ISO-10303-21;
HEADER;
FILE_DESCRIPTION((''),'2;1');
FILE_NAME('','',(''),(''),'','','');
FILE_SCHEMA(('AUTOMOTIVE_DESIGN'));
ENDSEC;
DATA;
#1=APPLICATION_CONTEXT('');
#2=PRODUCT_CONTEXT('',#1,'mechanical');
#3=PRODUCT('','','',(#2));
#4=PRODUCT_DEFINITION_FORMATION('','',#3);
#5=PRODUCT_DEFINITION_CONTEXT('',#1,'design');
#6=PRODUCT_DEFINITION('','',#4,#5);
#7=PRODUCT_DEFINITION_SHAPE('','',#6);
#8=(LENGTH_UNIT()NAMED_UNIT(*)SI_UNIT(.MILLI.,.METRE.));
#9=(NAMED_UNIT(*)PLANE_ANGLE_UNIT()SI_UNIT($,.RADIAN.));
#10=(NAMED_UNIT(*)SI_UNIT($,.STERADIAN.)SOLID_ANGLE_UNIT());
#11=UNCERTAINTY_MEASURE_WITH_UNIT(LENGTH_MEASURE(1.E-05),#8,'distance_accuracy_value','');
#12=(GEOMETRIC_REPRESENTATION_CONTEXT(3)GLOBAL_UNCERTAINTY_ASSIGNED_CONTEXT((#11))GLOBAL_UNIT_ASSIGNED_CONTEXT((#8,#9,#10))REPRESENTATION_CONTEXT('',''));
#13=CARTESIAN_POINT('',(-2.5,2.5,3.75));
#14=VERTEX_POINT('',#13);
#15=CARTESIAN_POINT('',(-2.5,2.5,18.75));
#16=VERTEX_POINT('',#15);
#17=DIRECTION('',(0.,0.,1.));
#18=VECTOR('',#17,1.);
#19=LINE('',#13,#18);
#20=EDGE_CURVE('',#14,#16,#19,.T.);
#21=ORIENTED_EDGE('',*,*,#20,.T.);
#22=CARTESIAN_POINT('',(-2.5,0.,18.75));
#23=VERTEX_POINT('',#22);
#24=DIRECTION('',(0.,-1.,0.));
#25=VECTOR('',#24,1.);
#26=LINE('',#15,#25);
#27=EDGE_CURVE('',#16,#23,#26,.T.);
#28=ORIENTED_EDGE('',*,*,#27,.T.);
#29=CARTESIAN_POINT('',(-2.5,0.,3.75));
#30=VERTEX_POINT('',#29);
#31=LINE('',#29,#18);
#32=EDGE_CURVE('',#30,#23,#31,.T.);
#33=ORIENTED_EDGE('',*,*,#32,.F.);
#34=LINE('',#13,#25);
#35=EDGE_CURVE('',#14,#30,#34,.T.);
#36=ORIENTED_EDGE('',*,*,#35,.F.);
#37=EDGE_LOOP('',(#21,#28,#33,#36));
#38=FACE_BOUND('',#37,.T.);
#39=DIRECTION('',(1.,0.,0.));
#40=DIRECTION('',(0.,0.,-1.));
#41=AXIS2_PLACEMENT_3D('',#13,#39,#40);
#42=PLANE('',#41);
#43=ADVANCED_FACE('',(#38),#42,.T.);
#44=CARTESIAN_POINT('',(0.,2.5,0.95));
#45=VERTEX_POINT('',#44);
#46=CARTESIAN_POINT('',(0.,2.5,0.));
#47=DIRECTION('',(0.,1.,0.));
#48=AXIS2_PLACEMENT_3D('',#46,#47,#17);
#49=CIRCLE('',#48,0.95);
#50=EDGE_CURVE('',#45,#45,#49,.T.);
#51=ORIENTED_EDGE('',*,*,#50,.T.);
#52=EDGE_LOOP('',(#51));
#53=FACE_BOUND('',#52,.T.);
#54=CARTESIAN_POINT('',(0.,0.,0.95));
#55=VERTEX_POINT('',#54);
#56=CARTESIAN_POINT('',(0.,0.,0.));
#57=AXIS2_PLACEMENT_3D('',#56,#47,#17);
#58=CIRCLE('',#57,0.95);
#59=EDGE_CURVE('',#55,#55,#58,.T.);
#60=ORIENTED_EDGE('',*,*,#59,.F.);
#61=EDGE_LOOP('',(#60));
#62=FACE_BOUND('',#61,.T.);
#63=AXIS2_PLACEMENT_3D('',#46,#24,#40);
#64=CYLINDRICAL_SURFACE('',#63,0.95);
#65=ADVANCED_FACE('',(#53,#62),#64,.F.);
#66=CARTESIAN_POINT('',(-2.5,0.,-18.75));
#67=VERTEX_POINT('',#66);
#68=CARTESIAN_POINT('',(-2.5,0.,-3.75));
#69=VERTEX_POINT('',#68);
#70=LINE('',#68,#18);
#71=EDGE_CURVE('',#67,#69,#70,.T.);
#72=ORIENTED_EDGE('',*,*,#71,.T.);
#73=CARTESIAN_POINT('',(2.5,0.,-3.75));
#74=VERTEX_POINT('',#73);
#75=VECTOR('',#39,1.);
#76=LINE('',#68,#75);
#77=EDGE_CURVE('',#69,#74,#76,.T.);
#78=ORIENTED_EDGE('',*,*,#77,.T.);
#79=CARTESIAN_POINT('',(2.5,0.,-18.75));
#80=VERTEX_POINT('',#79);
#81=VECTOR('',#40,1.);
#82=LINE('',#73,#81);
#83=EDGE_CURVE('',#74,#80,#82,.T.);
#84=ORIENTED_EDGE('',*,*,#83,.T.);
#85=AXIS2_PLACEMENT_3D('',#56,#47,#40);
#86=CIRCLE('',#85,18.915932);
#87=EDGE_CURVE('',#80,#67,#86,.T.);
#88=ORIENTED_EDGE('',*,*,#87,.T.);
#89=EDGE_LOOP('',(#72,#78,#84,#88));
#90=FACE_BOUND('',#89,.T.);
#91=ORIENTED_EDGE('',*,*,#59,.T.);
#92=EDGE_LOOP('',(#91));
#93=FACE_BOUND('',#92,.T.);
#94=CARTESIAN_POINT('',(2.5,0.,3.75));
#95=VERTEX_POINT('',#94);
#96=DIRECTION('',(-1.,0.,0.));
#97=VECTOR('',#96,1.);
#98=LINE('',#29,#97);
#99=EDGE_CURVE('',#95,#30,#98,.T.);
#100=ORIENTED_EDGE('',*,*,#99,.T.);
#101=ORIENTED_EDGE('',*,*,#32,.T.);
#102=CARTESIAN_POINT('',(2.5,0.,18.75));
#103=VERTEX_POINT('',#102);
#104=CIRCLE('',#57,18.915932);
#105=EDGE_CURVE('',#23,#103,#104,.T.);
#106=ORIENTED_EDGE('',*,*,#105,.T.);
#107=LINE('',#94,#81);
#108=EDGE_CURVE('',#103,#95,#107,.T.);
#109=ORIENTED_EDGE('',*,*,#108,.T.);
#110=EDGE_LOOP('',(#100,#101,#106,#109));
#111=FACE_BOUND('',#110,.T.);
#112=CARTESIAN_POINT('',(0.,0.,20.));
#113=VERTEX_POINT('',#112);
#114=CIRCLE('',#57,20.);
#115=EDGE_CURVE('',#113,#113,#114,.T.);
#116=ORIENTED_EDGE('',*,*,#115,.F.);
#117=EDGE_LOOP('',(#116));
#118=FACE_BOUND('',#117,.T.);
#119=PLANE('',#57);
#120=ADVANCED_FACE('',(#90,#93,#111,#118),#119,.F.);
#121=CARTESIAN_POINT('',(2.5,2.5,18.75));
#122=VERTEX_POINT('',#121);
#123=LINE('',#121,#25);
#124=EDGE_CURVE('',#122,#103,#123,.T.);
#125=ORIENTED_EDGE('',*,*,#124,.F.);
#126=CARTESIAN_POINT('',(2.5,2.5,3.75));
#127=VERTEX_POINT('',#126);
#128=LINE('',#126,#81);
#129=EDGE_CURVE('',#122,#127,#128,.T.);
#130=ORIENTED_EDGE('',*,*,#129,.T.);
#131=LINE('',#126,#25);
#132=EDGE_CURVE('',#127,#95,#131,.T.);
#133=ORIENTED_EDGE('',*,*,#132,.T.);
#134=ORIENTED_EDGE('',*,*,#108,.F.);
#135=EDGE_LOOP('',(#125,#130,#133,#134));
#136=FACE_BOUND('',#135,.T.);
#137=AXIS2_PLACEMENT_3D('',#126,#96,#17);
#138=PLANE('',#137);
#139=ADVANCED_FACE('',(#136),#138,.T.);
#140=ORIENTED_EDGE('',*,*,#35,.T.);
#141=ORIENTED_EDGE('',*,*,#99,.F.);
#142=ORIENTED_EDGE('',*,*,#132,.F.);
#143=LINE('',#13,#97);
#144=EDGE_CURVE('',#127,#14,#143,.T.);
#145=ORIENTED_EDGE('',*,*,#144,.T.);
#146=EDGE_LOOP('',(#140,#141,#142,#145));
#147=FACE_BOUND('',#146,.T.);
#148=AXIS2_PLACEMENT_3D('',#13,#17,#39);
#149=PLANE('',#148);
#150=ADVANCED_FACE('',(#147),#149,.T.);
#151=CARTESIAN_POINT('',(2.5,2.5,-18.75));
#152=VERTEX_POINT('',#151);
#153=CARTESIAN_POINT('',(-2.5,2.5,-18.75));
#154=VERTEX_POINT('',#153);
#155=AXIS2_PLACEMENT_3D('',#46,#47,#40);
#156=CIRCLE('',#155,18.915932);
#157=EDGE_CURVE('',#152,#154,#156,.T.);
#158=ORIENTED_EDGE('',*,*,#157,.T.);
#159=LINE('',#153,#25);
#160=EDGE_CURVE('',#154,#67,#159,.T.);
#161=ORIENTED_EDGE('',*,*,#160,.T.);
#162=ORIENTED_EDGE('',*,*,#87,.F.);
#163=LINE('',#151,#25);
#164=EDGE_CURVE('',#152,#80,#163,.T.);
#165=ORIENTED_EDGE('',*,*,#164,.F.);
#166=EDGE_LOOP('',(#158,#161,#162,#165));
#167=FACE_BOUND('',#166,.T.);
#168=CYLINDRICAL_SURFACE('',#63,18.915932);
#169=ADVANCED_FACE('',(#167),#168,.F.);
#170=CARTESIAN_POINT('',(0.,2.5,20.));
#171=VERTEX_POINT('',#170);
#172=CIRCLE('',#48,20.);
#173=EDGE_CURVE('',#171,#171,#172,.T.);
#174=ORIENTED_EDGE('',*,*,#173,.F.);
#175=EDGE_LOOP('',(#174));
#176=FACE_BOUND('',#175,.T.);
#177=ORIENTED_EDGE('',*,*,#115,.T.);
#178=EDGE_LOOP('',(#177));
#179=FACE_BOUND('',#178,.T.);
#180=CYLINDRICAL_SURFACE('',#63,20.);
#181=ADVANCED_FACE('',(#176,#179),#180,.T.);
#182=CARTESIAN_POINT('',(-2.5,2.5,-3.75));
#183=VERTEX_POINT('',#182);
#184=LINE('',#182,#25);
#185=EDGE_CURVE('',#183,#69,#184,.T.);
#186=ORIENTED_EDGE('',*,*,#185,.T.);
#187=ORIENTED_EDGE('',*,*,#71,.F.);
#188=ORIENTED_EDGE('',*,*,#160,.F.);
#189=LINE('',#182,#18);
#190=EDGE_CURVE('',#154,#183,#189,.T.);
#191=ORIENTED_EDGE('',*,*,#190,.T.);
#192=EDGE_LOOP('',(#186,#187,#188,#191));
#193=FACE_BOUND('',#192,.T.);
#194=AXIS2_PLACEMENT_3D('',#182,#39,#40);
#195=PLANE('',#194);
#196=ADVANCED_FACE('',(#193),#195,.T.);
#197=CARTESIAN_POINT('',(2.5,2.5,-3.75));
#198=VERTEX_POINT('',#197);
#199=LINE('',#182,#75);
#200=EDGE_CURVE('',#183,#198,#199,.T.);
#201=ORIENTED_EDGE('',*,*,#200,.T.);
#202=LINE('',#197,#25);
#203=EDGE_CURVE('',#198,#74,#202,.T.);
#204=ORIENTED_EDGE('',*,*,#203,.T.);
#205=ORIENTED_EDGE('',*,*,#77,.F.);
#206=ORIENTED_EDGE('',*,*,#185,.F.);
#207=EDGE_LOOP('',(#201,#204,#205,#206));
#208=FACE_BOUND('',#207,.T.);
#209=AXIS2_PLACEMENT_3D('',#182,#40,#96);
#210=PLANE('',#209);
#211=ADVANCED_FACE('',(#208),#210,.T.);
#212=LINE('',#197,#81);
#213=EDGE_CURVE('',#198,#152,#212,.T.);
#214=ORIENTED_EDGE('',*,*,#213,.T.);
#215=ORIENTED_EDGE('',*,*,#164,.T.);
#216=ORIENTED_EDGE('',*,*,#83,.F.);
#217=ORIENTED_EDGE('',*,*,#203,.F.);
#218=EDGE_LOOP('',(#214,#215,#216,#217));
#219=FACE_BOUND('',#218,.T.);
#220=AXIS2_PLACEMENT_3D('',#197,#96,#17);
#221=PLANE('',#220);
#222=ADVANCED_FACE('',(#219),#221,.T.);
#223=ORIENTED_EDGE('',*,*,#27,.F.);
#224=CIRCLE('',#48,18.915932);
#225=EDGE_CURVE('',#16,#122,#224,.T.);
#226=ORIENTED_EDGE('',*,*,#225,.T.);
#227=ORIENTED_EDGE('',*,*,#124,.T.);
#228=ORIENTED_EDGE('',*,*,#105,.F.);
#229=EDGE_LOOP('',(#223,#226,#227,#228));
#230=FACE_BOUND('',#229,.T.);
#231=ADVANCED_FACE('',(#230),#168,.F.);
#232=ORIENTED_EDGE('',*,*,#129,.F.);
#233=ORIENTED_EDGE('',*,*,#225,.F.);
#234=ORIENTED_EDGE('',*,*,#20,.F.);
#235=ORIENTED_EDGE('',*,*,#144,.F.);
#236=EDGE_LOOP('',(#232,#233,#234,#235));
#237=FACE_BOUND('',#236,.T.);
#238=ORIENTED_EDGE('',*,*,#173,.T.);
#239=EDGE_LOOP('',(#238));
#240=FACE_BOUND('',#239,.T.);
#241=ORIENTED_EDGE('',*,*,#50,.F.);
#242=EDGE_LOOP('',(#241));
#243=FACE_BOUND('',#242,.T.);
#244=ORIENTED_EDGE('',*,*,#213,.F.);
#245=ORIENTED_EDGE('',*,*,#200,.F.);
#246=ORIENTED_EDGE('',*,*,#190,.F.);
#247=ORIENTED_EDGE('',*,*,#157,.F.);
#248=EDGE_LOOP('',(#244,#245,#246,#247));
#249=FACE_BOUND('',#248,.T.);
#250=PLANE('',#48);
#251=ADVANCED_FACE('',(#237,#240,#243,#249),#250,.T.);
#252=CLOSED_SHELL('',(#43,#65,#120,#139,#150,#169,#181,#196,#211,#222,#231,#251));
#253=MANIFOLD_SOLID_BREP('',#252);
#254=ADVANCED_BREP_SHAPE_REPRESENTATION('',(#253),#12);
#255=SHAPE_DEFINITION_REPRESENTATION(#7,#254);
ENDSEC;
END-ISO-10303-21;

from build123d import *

# Parameters (mm, degrees)
SKETCH1_R           = 20
SKETCH1_R_2         = 0.95
BOSS_EXTRUDE1_DEPTH = 2.5


with BuildPart() as part:
    # Sketch1 → Boss-Extrude1 (new body)
    with BuildSketch(Plane(origin=(0, 0, 0), x_dir=(1, 0, 0), z_dir=(0, 1, 0))):
        with Locations(Location((0, 0, 0), (0, 0, 270))):
            Circle(SKETCH1_R)
        with Locations(Location((0, 0, 0), (0, 0, 270))):
            Circle(SKETCH1_R_2, mode=Mode.SUBTRACT)
        with BuildLine():
            Line((-2.5, 3.75), (2.5, 3.75))
            Line((2.5, 3.75), (2.5, 18.75))
            ThreePointArc((2.5, 18.75), (0, 18.915932438), (-2.5, 18.75))
            Line((-2.5, 18.75), (-2.5, 3.75))
        make_face(mode=Mode.SUBTRACT)
        with BuildLine():
            Line((2.5, -3.75), (2.5, -18.75))
            ThreePointArc((2.5, -18.75), (0, -18.915932438), (-2.5, -18.75))
            Line((-2.5, -18.75), (-2.5, -3.75))
            Line((-2.5, -3.75), (2.5, -3.75))
        make_face(mode=Mode.SUBTRACT)
    extrude(amount=BOSS_EXTRUDE1_DEPTH)


solid = part.part
